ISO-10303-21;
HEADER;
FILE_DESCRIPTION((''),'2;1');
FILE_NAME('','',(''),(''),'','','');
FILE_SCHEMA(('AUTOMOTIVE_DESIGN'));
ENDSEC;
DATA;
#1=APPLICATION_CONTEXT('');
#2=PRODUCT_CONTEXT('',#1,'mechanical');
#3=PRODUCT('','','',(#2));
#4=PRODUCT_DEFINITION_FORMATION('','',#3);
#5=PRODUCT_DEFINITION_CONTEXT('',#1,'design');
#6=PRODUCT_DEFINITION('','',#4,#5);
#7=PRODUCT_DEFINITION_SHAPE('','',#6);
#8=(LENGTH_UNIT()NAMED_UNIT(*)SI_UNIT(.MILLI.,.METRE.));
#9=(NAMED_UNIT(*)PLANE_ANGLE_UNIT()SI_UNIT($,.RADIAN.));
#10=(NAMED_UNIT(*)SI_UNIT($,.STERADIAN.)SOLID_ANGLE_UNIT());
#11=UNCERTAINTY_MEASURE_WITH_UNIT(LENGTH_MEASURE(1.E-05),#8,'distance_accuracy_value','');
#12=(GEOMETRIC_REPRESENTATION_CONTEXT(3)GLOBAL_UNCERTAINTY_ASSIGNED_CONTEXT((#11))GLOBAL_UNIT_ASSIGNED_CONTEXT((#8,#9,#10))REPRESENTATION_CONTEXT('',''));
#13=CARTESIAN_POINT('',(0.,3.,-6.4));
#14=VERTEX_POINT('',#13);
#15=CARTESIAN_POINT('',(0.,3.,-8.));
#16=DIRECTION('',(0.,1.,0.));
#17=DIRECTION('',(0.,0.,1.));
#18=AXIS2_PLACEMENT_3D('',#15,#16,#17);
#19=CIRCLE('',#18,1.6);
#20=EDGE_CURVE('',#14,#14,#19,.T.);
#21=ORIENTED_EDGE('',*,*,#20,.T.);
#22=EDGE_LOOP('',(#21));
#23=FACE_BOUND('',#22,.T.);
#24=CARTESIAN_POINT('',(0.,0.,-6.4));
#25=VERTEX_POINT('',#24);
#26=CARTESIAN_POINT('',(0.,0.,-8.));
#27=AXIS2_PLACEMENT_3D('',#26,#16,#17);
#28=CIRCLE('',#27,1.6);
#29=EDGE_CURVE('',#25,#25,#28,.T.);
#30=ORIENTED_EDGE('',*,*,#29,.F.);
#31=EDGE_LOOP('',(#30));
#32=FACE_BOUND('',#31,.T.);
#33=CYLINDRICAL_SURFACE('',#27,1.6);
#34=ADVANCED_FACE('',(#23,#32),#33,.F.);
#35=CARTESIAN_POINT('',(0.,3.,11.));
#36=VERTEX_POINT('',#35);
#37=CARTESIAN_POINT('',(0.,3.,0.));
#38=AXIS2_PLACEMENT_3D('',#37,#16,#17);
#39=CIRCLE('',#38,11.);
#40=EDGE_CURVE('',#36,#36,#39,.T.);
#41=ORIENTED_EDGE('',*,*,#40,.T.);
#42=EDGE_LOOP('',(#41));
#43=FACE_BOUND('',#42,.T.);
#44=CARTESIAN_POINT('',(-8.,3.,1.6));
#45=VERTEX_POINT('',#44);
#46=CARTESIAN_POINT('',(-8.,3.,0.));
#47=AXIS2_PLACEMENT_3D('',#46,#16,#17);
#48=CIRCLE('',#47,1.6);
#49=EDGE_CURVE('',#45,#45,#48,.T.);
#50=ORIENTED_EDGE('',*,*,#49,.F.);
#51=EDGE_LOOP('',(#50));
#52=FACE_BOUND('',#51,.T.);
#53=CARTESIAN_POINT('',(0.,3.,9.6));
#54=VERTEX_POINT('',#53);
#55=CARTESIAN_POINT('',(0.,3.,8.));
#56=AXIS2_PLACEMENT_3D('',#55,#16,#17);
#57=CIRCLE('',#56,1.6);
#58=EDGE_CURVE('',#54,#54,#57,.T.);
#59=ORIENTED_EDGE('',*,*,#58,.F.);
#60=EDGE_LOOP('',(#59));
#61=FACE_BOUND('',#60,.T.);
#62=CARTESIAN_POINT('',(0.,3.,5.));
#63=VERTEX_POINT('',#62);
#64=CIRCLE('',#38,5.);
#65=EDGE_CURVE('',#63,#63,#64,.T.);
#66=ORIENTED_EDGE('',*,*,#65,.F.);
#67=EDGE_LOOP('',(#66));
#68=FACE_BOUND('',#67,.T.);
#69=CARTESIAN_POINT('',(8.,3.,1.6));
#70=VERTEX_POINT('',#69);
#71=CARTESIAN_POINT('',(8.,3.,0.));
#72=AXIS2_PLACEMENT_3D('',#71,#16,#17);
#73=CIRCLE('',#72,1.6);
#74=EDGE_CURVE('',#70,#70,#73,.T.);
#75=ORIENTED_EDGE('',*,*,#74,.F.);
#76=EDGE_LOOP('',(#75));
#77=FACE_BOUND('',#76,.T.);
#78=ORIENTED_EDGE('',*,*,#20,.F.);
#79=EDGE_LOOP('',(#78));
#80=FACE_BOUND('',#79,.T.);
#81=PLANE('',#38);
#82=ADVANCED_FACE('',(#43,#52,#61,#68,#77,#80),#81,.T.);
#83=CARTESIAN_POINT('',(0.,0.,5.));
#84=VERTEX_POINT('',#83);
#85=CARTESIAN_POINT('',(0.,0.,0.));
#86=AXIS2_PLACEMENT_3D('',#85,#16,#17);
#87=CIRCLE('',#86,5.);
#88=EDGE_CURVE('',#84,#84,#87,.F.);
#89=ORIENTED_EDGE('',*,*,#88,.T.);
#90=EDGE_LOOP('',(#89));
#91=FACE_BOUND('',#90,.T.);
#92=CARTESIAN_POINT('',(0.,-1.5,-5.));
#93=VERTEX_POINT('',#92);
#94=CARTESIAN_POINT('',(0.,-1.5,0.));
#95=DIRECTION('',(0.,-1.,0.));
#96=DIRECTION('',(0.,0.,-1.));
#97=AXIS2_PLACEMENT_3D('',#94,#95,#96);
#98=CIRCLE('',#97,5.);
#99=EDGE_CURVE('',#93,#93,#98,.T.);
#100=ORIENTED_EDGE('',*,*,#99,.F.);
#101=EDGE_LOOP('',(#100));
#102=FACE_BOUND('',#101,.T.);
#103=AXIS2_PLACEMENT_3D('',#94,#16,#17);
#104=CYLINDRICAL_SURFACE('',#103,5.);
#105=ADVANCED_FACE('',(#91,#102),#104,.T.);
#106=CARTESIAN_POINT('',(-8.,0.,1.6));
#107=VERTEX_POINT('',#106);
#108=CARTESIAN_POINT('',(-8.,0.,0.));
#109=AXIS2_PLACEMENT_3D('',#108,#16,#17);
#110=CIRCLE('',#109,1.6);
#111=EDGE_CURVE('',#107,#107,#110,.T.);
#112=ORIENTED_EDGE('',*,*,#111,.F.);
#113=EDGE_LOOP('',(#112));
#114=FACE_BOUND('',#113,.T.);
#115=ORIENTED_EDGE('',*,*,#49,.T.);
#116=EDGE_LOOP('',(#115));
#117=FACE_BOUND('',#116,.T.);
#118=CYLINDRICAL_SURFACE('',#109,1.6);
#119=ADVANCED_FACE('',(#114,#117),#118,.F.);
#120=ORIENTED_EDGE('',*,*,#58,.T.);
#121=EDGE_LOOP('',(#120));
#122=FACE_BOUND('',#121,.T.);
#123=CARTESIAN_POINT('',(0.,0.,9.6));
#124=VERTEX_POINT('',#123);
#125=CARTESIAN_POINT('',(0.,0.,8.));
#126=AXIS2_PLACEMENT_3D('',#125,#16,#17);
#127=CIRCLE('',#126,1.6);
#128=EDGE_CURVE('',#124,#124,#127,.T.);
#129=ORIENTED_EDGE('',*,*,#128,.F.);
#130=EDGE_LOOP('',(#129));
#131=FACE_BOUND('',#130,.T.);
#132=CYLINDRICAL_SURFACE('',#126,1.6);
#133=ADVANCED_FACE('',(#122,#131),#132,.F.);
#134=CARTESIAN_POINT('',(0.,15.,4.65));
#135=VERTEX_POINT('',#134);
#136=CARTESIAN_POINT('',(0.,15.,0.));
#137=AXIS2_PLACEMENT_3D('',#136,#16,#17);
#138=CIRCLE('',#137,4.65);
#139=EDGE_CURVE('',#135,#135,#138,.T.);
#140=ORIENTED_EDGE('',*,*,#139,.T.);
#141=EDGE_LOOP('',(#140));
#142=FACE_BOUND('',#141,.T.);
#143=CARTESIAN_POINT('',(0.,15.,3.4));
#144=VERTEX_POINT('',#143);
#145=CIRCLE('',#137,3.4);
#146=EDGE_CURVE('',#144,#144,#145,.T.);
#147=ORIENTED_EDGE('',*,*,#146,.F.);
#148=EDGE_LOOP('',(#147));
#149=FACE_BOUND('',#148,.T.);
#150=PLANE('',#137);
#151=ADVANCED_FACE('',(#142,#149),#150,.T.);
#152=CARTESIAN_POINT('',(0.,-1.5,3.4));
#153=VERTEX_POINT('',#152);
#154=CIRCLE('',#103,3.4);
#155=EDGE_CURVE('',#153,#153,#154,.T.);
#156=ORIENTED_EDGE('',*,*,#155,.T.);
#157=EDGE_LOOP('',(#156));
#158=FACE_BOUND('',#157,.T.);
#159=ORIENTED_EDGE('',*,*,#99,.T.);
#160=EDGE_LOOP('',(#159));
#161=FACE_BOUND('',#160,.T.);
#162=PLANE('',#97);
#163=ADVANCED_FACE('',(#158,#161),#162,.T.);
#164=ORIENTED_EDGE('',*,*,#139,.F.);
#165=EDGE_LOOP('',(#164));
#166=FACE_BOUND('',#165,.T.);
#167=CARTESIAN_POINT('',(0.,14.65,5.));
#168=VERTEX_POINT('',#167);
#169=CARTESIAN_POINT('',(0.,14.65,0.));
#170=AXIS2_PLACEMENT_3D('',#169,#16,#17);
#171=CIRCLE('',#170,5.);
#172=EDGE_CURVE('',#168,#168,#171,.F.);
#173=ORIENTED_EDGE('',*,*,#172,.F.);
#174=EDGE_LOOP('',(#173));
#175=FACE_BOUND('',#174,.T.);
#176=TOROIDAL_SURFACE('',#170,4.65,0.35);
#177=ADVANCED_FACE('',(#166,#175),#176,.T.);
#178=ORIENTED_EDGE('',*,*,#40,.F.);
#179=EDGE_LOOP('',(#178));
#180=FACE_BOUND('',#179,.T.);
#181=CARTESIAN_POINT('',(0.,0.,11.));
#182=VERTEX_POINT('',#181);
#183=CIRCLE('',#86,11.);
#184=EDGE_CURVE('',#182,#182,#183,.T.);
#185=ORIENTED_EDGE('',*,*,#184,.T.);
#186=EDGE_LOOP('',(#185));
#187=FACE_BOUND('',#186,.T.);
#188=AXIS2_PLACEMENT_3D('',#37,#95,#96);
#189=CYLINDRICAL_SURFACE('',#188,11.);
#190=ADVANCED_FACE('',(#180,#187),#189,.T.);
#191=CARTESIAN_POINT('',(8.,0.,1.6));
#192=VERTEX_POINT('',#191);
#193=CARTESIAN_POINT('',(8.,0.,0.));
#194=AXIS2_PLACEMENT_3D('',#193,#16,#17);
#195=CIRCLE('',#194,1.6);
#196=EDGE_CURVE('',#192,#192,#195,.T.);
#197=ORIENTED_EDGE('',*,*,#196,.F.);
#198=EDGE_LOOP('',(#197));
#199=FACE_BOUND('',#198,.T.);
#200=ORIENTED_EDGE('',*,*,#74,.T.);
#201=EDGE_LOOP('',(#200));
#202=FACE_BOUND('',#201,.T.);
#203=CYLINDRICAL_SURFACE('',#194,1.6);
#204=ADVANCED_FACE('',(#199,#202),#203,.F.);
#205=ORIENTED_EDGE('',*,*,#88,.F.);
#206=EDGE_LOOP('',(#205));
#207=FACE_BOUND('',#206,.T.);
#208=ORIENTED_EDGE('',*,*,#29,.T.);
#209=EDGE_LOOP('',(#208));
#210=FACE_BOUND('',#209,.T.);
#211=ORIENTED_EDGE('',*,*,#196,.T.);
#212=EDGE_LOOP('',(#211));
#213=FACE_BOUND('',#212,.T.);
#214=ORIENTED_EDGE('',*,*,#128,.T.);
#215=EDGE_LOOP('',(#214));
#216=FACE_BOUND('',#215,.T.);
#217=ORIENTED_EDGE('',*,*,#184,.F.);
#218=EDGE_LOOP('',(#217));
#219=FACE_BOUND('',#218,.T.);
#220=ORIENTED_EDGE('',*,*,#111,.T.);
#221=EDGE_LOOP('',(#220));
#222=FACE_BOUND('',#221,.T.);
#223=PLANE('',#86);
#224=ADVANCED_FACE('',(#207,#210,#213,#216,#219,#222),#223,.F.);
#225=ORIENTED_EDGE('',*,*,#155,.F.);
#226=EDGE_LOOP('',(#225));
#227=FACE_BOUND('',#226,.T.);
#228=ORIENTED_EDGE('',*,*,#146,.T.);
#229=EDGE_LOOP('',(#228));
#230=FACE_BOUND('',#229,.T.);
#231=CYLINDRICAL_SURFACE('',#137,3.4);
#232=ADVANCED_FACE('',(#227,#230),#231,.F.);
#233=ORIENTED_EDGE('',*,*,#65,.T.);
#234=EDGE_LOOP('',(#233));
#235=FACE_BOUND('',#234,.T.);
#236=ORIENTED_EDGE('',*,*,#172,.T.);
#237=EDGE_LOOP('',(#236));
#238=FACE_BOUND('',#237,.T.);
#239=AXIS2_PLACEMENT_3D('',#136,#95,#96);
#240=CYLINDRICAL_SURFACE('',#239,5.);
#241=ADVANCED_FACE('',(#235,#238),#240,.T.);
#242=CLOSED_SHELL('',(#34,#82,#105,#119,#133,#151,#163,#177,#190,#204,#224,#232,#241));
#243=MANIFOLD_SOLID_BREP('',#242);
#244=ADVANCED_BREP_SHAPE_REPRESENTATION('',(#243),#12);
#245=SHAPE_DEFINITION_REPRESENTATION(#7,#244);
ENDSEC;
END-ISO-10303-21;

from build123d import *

# Parameters (mm, degrees)
SKETCH_1_R          = 11
EXTRUDE_1_DEPTH     = 3
SKETCH_2_R          = 5
EXTRUDE_2_DEPTH     = 12
SKETCH_5_R          = 1.6
CUT_EXTRUDE_3_DEPTH = 4
FILLET_1_R          = 0.35
SKETCH_7_R          = 5
EXTRUDE_3_DEPTH     = 1.5
HOLE_WIZARD_M8_1_D  = 6.8


with BuildPart() as part:
    # 草图1 → 凸台-拉伸1 (new body)
    with BuildSketch(Plane(origin=(0, 0, 0), x_dir=(1, 0, 0), z_dir=(0, 1, 0))):
        Circle(SKETCH_1_R)
    extrude(amount=EXTRUDE_1_DEPTH)

    # 草图2 → 凸台-拉伸2 (add)
    with BuildSketch(Plane(origin=(0, 3, 0), x_dir=(1, 0, 0), z_dir=(0, 1, 0))):
        Circle(SKETCH_2_R)
    extrude(amount=EXTRUDE_2_DEPTH)

    # 草图5 → 切除-拉伸3 (cut, through all)
    with BuildSketch(Plane(origin=(0, 3, 0), x_dir=(1, 0, 0), z_dir=(0, 1, 0))):
        with Locations((0, 8)):
            Circle(SKETCH_5_R)
        with Locations((8, 0)):
            Circle(SKETCH_5_R)
        with Locations((0, -8)):
            Circle(SKETCH_5_R)
        with Locations((-8, 0)):
            Circle(SKETCH_5_R)
    extrude(amount=-CUT_EXTRUDE_3_DEPTH, mode=Mode.SUBTRACT)

    # 圆角1
    fillet_1_edges = [part.edges().sort_by_distance(p)[0] for p in [
        (-5, 15, 0),
    ]]
    fillet(fillet_1_edges, radius=FILLET_1_R)

    # 草图7 → 凸台-拉伸3 (add)
    with BuildSketch(Plane.XZ):
        Circle(SKETCH_7_R)
    extrude(amount=EXTRUDE_3_DEPTH)

    # M8 螺纹孔1 (through all)
    with Locations(Plane(origin=(0, 15, 0), x_dir=(1, 0, 0), z_dir=(0, 1, 0))):
        with Locations((0, 0)):
            Hole(HOLE_WIZARD_M8_1_D / 2)


solid = part.part
